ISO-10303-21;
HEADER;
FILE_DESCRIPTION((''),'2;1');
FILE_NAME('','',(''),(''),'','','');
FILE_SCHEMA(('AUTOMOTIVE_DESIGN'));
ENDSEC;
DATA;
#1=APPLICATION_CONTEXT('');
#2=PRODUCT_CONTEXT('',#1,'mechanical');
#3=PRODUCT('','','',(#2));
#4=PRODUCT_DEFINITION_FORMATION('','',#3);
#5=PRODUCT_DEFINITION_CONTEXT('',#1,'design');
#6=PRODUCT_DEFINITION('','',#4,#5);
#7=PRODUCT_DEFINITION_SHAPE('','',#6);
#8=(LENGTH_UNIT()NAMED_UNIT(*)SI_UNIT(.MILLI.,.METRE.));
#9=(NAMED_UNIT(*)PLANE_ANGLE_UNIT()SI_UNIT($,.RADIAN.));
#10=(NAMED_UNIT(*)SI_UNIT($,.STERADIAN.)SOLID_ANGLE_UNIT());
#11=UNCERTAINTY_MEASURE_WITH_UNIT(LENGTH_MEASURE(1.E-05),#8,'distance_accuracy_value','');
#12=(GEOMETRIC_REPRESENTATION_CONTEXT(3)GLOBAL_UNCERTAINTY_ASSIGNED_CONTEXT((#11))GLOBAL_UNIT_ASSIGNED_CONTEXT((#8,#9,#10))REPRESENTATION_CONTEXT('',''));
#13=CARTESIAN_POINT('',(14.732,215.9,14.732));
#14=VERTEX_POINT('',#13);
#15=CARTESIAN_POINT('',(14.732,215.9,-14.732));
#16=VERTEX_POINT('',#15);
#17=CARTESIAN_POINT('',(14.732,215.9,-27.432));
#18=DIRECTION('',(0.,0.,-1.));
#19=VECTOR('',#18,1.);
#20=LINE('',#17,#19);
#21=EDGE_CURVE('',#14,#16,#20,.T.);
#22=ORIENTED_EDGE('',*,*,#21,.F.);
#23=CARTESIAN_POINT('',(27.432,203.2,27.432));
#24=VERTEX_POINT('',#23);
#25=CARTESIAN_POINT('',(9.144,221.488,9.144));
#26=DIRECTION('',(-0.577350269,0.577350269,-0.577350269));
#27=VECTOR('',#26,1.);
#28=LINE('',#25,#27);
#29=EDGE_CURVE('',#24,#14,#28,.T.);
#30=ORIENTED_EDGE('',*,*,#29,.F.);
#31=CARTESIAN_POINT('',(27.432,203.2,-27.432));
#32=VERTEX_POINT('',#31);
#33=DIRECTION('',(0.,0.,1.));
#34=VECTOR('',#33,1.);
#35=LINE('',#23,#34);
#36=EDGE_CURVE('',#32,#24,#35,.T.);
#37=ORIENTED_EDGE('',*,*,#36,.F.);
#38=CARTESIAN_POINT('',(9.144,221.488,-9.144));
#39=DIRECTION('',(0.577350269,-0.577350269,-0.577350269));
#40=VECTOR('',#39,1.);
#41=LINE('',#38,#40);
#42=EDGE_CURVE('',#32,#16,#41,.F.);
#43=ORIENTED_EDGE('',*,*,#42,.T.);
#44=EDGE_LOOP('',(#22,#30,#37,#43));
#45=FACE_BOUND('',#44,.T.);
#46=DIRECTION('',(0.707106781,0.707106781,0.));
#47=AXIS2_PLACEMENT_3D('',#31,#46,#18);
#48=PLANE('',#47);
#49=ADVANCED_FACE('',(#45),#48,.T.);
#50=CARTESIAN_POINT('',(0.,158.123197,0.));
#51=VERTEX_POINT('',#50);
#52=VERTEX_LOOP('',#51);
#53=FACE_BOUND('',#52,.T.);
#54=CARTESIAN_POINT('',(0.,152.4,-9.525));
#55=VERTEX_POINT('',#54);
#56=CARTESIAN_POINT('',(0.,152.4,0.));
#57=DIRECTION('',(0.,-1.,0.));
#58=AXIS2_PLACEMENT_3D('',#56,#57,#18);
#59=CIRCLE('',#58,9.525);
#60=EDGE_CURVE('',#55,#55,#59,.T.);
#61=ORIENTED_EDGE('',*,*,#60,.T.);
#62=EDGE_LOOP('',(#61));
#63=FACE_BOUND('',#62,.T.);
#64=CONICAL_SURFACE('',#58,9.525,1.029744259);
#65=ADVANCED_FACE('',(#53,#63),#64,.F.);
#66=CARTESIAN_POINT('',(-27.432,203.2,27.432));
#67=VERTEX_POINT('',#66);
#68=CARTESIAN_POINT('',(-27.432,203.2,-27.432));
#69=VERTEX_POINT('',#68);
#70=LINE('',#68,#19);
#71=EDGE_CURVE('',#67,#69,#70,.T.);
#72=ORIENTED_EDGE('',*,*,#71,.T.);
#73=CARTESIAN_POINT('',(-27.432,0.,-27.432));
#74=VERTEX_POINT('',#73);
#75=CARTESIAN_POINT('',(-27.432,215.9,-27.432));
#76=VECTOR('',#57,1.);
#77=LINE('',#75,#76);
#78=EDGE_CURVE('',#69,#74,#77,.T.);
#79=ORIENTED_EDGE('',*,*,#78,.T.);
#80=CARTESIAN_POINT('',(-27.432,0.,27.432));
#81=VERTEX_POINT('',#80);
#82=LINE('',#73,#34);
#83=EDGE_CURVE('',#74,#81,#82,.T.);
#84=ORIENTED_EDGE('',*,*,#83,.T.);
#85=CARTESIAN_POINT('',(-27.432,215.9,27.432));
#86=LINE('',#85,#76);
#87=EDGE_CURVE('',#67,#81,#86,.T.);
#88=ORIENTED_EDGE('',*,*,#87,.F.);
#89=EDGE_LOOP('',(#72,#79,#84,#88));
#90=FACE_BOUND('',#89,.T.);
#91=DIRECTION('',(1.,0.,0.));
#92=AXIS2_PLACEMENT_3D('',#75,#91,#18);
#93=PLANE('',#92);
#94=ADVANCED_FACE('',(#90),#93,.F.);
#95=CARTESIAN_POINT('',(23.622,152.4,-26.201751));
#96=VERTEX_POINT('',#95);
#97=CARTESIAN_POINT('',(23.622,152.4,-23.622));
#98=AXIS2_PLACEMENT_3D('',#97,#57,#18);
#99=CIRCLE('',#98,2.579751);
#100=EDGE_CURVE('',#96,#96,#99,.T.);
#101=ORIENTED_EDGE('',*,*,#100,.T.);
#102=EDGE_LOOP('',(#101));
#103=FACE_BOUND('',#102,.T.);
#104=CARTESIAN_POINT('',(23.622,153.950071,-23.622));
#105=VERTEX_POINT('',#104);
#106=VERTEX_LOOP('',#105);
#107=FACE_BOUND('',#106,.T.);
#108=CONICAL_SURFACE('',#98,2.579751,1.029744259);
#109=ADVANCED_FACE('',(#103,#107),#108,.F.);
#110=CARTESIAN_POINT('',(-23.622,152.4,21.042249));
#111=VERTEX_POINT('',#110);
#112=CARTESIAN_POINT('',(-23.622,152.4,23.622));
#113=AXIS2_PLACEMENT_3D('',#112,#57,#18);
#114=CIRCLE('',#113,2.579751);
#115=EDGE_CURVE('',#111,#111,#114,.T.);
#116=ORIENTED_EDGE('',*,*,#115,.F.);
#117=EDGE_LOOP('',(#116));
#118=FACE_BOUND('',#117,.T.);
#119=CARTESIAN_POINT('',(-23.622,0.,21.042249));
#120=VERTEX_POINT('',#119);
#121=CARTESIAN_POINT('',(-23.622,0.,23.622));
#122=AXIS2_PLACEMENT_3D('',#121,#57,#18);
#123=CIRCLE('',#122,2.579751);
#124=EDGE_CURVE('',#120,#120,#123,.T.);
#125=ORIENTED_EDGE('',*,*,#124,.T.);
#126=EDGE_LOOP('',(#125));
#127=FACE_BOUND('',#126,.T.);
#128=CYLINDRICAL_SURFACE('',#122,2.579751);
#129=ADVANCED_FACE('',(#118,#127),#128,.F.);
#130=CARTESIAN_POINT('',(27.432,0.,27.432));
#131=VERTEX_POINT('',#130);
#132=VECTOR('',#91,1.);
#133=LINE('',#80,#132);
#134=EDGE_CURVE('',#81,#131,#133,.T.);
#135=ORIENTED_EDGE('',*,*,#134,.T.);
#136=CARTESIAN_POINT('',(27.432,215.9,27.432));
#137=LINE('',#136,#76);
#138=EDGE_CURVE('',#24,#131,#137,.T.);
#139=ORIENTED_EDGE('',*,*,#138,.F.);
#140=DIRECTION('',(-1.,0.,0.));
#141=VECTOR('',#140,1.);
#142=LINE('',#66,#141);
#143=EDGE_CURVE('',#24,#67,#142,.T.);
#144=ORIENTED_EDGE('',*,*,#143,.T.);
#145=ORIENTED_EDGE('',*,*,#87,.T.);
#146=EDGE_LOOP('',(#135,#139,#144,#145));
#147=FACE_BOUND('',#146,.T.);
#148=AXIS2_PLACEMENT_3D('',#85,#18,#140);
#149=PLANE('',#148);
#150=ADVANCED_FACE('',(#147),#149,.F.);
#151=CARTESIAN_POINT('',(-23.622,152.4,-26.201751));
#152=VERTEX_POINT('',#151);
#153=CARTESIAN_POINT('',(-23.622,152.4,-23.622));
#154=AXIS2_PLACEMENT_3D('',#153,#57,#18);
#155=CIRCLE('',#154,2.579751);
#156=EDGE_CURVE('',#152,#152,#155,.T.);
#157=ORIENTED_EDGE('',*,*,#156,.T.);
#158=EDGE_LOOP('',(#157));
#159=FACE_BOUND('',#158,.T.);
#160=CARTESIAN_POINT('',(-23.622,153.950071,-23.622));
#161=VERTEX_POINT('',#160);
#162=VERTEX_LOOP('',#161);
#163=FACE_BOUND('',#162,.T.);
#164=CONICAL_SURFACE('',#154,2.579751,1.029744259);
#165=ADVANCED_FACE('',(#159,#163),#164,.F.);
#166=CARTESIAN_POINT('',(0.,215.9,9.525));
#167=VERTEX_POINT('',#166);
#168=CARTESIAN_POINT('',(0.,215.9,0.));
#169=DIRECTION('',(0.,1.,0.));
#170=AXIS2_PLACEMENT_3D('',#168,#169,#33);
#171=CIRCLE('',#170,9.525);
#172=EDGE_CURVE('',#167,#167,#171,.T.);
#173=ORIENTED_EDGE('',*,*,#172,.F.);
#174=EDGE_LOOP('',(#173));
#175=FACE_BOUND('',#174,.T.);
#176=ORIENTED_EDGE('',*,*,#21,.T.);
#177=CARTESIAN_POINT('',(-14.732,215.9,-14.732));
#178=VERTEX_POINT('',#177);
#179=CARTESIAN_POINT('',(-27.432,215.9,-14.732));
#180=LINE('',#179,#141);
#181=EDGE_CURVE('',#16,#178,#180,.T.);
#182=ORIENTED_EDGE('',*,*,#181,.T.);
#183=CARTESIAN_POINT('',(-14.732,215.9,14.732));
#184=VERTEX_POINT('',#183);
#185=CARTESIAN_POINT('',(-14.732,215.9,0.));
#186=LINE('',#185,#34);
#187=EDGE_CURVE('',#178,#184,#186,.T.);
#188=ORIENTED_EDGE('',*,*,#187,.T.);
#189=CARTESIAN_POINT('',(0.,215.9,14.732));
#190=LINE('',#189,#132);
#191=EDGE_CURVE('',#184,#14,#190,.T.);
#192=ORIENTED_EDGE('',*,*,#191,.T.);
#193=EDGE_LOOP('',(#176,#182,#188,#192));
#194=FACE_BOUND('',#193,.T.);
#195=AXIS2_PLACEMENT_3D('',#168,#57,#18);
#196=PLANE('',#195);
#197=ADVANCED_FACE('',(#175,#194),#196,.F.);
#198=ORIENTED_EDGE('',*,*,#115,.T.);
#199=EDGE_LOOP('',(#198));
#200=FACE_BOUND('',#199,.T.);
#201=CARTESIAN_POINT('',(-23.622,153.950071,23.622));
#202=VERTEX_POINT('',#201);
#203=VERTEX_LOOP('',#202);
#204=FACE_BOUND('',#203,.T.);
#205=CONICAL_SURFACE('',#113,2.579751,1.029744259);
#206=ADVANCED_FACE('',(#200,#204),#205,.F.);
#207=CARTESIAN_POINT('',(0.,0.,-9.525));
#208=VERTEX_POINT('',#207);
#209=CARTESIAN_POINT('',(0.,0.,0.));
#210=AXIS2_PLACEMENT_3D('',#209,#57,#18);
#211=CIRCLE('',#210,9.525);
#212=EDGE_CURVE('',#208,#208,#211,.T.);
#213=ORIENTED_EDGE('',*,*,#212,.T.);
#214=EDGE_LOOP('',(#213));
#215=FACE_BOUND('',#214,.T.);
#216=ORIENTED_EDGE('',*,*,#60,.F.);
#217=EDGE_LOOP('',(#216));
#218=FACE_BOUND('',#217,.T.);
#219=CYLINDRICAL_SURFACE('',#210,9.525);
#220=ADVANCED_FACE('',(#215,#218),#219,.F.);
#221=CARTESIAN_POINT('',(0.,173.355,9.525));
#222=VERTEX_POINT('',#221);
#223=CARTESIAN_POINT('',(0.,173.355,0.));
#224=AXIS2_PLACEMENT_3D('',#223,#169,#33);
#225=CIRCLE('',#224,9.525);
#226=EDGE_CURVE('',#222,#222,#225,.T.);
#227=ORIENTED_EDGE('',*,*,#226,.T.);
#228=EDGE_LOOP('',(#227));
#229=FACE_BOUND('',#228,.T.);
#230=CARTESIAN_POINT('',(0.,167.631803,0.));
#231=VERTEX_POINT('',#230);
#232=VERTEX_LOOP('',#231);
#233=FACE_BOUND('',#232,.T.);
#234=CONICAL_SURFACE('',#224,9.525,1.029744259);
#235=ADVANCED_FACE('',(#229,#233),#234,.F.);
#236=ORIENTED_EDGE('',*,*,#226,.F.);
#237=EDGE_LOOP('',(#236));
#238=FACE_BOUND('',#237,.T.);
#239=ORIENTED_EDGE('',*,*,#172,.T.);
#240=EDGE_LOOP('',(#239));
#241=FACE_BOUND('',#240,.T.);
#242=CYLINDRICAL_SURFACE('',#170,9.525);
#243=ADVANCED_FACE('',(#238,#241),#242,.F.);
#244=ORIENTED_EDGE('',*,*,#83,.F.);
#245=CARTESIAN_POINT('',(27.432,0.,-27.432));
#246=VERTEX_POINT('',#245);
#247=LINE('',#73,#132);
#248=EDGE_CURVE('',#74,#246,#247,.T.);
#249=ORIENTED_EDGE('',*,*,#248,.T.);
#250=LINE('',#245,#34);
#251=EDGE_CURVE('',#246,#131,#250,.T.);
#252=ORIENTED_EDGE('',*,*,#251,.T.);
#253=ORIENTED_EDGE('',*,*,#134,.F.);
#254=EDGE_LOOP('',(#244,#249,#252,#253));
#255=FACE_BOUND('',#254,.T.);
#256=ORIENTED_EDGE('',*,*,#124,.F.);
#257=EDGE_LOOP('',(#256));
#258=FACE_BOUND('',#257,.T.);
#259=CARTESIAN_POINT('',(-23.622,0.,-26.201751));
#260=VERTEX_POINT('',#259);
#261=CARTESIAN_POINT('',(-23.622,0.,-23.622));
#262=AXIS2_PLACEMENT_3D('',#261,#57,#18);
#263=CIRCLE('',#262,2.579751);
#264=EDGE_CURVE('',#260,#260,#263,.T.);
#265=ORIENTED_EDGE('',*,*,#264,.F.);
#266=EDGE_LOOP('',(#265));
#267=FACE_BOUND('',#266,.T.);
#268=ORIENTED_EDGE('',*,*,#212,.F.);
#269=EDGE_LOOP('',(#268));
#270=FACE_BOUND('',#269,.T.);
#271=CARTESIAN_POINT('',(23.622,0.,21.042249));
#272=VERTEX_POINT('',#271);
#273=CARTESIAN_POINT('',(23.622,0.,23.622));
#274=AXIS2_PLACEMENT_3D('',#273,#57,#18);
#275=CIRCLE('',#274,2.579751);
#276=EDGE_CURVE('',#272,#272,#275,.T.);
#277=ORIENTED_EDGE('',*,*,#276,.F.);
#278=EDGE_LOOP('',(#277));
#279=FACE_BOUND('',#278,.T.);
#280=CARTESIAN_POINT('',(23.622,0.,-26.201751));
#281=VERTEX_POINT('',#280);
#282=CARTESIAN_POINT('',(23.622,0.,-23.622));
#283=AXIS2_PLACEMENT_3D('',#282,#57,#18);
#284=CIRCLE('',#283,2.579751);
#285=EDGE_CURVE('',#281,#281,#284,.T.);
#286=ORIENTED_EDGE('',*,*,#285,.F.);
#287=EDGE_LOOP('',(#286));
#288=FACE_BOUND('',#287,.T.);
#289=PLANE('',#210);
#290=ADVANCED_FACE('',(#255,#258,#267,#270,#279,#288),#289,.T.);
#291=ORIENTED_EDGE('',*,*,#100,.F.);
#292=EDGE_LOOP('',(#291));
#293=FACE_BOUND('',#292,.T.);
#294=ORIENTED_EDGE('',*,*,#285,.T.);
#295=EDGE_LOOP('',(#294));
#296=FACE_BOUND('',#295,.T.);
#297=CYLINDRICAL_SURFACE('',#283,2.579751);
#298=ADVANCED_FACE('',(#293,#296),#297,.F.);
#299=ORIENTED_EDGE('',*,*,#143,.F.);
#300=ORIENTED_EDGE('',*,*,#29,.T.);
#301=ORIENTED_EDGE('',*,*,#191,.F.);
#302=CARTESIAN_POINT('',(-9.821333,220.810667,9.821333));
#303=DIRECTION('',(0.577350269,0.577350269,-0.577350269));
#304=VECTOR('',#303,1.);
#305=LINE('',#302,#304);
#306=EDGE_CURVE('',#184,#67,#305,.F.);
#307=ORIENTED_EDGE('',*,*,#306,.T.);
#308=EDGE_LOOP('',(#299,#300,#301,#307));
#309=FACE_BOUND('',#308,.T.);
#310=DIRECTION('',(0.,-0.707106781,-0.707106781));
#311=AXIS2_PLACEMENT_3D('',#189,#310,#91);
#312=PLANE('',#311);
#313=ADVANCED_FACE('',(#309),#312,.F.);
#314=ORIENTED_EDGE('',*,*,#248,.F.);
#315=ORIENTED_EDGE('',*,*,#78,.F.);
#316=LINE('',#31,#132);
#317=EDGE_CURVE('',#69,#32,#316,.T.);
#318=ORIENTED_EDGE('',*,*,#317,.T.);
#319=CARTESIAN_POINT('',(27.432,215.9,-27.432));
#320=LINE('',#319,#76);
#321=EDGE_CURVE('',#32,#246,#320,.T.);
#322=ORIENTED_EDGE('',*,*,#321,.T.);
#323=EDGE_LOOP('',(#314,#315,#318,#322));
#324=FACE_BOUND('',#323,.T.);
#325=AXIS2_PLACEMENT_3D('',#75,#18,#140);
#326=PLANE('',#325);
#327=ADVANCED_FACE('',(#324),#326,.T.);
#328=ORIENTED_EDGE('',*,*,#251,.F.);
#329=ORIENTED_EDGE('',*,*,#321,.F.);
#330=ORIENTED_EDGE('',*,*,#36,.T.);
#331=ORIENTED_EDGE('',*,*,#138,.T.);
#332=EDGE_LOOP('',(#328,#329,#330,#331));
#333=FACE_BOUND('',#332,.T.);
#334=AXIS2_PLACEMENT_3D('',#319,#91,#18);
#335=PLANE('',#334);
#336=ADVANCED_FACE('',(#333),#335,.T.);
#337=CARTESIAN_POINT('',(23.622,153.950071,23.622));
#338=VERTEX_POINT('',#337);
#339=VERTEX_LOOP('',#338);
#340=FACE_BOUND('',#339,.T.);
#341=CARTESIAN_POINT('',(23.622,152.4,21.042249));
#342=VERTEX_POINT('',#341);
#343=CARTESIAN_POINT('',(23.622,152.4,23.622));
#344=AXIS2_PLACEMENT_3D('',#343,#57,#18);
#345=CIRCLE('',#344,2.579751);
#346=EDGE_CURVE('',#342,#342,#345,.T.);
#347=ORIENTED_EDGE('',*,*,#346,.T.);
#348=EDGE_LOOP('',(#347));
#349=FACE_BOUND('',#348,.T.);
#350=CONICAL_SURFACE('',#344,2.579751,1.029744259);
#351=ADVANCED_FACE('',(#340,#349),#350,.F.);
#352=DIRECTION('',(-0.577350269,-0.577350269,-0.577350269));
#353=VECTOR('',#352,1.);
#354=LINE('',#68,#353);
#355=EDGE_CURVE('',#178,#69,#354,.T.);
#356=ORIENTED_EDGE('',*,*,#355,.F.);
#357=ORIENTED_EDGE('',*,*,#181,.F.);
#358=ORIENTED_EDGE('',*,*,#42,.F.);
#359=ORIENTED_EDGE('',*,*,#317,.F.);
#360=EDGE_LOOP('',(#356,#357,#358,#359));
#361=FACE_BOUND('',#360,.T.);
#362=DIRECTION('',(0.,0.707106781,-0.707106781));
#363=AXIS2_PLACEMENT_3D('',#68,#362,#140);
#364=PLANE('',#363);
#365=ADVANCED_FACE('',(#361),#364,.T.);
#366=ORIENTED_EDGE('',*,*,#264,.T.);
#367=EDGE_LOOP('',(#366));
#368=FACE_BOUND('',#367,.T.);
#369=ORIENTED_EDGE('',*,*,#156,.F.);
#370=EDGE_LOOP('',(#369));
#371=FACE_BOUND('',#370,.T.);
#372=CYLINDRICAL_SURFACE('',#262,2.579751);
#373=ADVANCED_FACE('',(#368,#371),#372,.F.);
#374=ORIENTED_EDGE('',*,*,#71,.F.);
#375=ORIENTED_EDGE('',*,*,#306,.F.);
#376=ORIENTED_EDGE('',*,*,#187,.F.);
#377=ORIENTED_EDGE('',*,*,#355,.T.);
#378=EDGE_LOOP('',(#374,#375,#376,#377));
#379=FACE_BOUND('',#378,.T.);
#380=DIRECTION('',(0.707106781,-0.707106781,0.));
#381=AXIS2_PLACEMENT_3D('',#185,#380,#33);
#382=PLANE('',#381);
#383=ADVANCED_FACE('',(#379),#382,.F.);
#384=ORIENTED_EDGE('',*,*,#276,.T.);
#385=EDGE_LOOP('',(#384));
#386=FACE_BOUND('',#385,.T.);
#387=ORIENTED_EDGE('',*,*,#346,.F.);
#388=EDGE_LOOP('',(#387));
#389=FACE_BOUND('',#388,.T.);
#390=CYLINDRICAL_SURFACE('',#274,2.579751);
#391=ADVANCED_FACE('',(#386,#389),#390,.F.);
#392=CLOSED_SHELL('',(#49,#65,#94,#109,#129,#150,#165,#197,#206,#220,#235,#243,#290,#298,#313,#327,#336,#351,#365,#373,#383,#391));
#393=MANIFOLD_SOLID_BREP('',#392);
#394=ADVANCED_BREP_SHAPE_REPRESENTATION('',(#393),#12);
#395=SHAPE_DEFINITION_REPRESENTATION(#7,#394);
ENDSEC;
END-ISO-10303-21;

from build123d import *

# Parameters (mm, degrees)
SKETCH1_W                            = 54.864
SKETCH1_H                            = 54.864
BOSS_EXTRUDE2_DEPTH                  = 215.9
F_3_4_0_75_DIAMETER_HOLE1_D          = 19.05
F_3_4_0_75_DIAMETER_HOLE1_DEPTH      = 152.4
F_3_4_0_75_DIAMETER_HOLE1_TIP        = 5.723197396
F_13_64_0_20313_DIAMETER_HOLE1_D     = 5.159502
F_13_64_0_20313_DIAMETER_HOLE1_DEPTH = 152.4
F_13_64_0_20313_DIAMETER_HOLE1_TIP   = 1.550070783
F_3_4_0_75_DIAMETER_HOLE2_D          = 19.05
F_3_4_0_75_DIAMETER_HOLE2_DEPTH      = 42.545
F_3_4_0_75_DIAMETER_HOLE2_TIP        = 5.723197396
CHAMFER1_SIZE                        = 12.7


with BuildPart() as part:
    # Sketch1 → Boss-Extrude2 (new body)
    with BuildSketch(Plane(origin=(0, 0, 0), x_dir=(1, 0, 0), z_dir=(0, 1, 0))):
        Rectangle(SKETCH1_W, SKETCH1_H)
    extrude(amount=BOSS_EXTRUDE2_DEPTH)

    # 3/4 (0.75) Diameter Hole1
    with Locations(Plane.XZ):
        with Locations((0, 0)):
            Hole(F_3_4_0_75_DIAMETER_HOLE1_D / 2, depth=F_3_4_0_75_DIAMETER_HOLE1_DEPTH)
            with Locations((0, 0, -(F_3_4_0_75_DIAMETER_HOLE1_DEPTH + F_3_4_0_75_DIAMETER_HOLE1_TIP / 2))):  # 118° drill point
                Cone(0, F_3_4_0_75_DIAMETER_HOLE1_D / 2, F_3_4_0_75_DIAMETER_HOLE1_TIP, mode=Mode.SUBTRACT)

    # 13/64 (0.20313) Diameter Hole1
    with Locations(Plane.XZ):
        with Locations((-23.622, 23.622), (23.622, 23.622), (23.622, -23.622), (-23.622, -23.622)):
            Hole(F_13_64_0_20313_DIAMETER_HOLE1_D / 2, depth=F_13_64_0_20313_DIAMETER_HOLE1_DEPTH)
            with Locations((0, 0, -(F_13_64_0_20313_DIAMETER_HOLE1_DEPTH + F_13_64_0_20313_DIAMETER_HOLE1_TIP / 2))):  # 118° drill point
                Cone(0, F_13_64_0_20313_DIAMETER_HOLE1_D / 2, F_13_64_0_20313_DIAMETER_HOLE1_TIP, mode=Mode.SUBTRACT)

    # 3/4 (0.75) Diameter Hole2
    with Locations(Plane(origin=(0, 215.9, 0), x_dir=(-1, 0, 0), z_dir=(0, 1, 0))):
        with Locations((0, 0)):
            Hole(F_3_4_0_75_DIAMETER_HOLE2_D / 2, depth=F_3_4_0_75_DIAMETER_HOLE2_DEPTH)
            with Locations((0, 0, -(F_3_4_0_75_DIAMETER_HOLE2_DEPTH + F_3_4_0_75_DIAMETER_HOLE2_TIP / 2))):  # 118° drill point
                Cone(0, F_3_4_0_75_DIAMETER_HOLE2_D / 2, F_3_4_0_75_DIAMETER_HOLE2_TIP, mode=Mode.SUBTRACT)

    # Chamfer1
    chamfer1_edges = [part.edges().sort_by_distance(p)[0] for p in [
        (0, 215.9, 27.432),
        (-27.432, 215.9, 0),
        (0, 215.9, -27.432),
        (27.432, 215.9, 0),
    ]]
    chamfer(chamfer1_edges, length=CHAMFER1_SIZE)


solid = part.part
